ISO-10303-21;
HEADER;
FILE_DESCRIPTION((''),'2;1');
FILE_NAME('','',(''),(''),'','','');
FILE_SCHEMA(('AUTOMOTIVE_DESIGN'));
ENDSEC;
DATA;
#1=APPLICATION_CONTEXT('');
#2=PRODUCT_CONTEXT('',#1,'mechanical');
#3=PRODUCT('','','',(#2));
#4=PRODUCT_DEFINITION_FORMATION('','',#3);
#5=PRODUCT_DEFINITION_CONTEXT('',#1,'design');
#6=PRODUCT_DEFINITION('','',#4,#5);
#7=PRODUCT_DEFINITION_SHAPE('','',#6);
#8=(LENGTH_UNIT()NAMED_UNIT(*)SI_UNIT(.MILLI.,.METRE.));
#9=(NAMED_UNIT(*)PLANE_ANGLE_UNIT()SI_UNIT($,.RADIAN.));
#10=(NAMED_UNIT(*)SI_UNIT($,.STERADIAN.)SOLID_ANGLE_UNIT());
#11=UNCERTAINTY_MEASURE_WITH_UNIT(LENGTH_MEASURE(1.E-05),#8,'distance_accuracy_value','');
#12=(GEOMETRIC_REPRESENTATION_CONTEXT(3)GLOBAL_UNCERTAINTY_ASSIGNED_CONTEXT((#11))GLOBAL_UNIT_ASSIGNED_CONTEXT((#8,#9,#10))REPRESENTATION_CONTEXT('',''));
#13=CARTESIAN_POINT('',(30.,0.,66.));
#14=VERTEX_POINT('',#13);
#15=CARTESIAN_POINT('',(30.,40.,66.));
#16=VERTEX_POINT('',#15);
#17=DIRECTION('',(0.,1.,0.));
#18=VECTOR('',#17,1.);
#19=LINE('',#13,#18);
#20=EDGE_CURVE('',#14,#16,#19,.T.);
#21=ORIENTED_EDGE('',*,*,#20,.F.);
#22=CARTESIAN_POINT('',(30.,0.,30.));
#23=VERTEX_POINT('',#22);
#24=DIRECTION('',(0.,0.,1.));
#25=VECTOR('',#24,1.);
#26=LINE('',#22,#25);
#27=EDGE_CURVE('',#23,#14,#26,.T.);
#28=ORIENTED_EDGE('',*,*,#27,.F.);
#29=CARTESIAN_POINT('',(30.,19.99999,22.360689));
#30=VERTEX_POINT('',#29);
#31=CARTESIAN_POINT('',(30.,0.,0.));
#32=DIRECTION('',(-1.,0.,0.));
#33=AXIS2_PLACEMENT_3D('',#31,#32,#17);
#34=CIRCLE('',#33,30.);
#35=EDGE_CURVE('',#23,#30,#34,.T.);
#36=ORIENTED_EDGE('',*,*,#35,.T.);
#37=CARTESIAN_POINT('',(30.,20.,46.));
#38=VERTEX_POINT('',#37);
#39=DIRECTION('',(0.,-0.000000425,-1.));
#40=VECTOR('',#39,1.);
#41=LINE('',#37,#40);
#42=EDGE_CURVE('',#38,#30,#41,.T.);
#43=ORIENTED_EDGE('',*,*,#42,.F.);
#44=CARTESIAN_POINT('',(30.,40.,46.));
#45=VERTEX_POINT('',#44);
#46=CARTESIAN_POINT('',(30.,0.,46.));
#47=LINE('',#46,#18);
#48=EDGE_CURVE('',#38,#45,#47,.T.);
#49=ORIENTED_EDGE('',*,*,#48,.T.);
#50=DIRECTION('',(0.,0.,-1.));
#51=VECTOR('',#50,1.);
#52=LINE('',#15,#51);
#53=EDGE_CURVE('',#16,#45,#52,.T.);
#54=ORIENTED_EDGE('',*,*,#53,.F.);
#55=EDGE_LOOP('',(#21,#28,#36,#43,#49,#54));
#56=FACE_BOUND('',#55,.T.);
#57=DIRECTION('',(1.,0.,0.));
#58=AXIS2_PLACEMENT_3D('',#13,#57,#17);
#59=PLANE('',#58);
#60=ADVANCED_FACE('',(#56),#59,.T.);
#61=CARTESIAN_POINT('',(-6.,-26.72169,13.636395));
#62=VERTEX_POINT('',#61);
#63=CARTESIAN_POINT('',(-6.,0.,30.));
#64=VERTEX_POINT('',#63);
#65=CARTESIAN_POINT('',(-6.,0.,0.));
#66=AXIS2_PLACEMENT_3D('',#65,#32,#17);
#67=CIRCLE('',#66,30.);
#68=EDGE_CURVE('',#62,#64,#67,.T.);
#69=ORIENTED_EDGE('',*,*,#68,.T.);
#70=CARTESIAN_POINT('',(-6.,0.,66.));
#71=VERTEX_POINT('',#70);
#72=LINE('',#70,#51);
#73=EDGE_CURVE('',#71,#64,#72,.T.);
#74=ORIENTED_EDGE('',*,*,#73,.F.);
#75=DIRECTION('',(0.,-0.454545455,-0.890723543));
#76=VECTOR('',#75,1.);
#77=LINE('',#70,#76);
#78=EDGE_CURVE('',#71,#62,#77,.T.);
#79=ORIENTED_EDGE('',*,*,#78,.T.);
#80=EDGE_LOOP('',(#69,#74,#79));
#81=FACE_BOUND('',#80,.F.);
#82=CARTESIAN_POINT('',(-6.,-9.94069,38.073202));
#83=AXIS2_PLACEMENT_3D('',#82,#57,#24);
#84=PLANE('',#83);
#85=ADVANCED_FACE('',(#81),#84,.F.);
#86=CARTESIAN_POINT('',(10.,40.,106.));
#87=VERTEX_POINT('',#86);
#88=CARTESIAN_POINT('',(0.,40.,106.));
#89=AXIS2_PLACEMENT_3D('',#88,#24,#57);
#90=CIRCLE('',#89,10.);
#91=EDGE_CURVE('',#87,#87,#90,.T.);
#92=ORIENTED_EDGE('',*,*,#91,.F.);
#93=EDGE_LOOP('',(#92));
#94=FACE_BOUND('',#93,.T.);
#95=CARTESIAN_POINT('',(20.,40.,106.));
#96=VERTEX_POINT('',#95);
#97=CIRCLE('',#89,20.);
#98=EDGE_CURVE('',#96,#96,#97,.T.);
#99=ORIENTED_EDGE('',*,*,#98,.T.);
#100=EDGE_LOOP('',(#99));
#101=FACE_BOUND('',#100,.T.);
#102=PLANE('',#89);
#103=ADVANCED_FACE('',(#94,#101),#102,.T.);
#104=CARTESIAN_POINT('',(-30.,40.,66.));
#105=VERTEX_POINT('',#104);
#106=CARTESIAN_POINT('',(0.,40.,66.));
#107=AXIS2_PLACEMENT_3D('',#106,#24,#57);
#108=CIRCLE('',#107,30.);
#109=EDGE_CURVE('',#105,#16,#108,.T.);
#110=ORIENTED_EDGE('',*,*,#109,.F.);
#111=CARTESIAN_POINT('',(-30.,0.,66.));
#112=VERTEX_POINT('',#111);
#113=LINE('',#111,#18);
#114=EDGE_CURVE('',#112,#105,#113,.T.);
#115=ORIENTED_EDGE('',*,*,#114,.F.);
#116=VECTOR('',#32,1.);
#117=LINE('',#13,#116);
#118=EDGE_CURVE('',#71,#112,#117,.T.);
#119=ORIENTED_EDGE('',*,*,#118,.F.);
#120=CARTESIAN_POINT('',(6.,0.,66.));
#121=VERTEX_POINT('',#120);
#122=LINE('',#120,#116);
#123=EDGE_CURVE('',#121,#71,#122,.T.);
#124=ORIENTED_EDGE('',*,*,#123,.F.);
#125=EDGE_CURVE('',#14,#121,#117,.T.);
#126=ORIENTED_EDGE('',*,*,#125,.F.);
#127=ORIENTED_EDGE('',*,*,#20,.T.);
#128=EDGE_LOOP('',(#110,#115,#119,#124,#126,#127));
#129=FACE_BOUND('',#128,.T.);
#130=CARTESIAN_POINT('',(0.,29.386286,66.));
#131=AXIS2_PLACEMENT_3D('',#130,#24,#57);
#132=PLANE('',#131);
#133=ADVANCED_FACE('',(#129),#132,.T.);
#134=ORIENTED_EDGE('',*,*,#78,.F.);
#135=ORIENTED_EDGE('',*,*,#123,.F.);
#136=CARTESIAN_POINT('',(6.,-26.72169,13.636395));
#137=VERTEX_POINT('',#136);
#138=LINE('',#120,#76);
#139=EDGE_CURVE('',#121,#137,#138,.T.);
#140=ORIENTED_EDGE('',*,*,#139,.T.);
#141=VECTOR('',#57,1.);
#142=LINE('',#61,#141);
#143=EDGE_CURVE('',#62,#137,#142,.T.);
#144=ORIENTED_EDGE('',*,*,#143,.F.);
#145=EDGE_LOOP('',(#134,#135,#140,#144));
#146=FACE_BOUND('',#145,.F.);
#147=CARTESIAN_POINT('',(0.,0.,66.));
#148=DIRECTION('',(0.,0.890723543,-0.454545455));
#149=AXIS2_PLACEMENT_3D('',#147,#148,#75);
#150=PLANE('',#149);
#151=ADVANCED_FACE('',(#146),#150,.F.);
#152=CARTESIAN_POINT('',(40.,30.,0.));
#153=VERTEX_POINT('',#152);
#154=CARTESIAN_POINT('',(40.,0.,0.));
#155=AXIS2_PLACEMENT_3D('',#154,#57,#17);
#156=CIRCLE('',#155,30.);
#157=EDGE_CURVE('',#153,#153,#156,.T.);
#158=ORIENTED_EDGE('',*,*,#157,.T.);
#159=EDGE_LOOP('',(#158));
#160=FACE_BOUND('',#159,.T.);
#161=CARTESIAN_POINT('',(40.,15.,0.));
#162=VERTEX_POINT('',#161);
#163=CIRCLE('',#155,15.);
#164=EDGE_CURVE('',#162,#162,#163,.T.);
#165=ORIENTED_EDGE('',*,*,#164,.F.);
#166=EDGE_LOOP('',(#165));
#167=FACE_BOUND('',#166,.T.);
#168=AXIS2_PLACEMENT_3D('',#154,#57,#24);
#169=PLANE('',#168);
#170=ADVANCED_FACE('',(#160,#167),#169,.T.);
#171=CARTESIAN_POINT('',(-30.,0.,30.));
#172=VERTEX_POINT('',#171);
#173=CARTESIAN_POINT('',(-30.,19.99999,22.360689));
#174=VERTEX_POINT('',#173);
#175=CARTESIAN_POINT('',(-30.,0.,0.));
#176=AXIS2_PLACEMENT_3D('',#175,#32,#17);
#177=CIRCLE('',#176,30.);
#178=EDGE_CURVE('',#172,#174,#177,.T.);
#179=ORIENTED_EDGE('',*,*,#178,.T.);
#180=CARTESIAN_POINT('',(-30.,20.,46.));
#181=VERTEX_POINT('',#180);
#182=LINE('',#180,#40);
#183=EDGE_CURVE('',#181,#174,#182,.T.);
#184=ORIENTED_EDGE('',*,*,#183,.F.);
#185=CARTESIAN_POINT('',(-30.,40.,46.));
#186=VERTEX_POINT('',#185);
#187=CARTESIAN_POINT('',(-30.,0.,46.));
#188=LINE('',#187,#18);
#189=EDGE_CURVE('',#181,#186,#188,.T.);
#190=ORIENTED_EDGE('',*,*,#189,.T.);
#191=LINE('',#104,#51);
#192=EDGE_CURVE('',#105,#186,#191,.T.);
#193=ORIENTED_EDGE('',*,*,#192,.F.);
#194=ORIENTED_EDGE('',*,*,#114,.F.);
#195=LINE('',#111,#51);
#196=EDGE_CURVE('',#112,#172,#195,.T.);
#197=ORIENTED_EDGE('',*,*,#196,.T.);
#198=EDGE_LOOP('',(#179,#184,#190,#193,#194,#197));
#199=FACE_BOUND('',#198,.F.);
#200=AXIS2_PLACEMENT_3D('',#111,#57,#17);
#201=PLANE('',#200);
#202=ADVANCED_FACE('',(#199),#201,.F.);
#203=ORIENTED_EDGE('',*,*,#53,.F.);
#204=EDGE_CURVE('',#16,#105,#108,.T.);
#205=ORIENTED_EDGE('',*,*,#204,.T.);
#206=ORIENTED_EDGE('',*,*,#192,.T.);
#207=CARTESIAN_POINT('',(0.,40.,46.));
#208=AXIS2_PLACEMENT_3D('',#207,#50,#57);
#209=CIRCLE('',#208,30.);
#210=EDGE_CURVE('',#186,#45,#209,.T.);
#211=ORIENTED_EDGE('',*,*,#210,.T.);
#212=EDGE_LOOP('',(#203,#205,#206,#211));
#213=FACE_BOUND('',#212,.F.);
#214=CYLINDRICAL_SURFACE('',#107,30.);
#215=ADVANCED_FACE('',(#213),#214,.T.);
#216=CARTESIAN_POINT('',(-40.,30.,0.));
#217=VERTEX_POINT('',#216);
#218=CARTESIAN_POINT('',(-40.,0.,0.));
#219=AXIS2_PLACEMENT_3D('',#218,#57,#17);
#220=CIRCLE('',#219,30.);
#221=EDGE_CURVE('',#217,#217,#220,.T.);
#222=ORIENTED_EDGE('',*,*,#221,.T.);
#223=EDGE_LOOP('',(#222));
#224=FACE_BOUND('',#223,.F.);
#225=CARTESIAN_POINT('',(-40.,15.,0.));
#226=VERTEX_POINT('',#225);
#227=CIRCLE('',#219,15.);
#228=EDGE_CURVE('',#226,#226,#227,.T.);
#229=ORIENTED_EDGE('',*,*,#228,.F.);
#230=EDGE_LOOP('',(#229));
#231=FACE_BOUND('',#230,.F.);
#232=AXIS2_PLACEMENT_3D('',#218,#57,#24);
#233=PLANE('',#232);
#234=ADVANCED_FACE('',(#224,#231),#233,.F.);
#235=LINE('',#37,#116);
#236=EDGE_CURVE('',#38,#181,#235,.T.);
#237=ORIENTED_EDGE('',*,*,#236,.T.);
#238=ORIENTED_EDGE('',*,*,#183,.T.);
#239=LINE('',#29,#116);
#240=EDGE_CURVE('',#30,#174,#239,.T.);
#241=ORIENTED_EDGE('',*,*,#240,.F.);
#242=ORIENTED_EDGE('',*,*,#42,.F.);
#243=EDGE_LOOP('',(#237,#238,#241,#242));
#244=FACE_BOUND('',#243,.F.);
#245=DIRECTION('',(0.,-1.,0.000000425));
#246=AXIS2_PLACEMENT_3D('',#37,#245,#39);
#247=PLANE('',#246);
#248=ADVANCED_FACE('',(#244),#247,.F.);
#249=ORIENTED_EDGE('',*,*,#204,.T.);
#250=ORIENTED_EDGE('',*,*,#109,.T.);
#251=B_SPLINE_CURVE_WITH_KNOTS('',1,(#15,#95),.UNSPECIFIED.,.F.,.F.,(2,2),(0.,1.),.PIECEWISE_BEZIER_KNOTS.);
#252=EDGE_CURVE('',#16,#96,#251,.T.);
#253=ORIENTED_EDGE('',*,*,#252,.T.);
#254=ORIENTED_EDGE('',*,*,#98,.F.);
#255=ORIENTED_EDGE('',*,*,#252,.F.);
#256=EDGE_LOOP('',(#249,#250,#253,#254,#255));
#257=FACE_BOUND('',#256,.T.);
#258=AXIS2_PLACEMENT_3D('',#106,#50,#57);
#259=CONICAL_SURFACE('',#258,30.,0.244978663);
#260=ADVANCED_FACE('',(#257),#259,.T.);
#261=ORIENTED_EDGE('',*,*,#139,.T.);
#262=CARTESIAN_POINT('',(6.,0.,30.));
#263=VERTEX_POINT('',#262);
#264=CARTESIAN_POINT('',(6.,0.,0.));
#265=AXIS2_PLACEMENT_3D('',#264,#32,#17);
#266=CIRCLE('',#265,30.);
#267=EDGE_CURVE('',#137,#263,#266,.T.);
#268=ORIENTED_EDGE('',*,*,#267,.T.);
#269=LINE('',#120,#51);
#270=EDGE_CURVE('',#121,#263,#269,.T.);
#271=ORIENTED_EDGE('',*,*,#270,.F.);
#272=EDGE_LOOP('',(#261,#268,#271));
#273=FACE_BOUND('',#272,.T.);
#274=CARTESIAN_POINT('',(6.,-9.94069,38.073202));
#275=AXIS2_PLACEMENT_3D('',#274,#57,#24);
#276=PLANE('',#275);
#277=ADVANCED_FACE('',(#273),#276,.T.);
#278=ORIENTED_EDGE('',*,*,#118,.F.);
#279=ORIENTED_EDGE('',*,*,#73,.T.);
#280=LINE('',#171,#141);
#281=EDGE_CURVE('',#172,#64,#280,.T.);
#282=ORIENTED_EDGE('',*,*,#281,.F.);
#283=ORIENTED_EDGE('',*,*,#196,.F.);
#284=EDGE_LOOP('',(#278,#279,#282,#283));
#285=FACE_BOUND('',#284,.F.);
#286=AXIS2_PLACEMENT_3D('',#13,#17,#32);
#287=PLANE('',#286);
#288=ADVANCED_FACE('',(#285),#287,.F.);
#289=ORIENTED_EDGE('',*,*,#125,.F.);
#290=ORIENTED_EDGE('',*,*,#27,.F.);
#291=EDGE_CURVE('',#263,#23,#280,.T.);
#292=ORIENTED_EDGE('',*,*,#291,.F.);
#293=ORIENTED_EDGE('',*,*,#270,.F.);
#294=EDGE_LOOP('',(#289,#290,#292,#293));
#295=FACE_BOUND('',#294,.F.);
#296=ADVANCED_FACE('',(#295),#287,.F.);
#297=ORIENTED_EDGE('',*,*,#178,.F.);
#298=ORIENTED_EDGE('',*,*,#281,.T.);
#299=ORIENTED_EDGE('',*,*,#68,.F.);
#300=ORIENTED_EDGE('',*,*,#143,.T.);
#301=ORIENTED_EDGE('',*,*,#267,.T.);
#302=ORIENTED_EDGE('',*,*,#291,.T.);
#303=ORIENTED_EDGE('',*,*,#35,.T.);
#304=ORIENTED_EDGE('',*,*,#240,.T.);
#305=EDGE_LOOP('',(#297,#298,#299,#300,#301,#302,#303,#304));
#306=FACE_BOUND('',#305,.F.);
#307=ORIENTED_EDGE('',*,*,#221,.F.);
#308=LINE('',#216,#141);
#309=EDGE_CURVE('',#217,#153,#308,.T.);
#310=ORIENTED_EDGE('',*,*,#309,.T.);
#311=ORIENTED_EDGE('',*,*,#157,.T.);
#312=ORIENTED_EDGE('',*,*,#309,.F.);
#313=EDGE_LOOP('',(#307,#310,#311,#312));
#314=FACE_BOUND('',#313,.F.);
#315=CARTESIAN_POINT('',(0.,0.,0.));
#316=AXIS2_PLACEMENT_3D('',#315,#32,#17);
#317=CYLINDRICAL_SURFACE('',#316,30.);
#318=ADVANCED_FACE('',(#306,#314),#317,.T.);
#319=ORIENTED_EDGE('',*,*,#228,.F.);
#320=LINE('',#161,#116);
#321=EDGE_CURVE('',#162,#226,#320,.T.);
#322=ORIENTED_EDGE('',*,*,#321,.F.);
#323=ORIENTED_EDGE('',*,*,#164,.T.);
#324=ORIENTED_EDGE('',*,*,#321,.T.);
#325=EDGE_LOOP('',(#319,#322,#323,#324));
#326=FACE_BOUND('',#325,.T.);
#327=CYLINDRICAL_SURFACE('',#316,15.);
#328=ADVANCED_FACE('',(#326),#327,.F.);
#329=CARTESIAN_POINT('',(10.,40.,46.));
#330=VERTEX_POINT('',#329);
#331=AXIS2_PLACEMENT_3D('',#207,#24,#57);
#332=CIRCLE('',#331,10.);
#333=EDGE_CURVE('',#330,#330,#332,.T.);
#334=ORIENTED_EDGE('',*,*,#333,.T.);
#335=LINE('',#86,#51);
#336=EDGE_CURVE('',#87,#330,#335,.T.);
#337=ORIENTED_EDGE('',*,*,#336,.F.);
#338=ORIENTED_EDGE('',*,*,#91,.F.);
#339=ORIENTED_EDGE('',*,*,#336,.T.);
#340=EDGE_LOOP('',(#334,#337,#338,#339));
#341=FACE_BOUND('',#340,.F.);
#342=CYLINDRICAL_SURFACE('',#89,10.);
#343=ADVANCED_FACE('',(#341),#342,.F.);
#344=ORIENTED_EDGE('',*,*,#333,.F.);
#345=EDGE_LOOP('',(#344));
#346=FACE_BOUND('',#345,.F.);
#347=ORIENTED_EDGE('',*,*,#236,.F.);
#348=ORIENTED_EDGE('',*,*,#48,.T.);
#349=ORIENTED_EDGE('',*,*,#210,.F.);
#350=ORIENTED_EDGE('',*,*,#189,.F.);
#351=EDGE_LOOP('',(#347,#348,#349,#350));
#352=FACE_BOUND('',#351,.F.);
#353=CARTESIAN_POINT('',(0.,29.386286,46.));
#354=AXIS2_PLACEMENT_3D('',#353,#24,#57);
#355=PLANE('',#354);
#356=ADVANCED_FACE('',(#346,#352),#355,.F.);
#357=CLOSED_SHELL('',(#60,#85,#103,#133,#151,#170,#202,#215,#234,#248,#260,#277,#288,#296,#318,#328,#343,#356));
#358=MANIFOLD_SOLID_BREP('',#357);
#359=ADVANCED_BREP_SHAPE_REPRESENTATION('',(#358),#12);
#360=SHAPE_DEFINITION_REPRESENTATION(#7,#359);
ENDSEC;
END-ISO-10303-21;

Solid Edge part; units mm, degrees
sketch "Sketch1" plane through (0, 0, 0) normal (1, 0, 0) x (0, 1, 0)
  circle A0 centre (0, 0) radius 30
  circle A1 centre (0, 0) radius 15
extrude "Protrusion1" add sketch "Sketch1" along normal mid plane 80
sketch "Sketch2" plane through (0, 0, 66) normal (0, 0, 1) x (1, 0, 0)
  circle A0 centre (0, 40) radius 30
sketch "Sketch3" plane through (0, 0, 106) normal (0, 0, 1) x (1, 0, 0)
  circle A0 centre (0, 40) radius 20
loft "LoftedProtrusion1" add profiles "Sketch2", "Sketch3"
sketch "Sketch4" plane through (0, 0, 66) normal (0, 0, 1) x (1, 0, 0)
  line L0 (30, 0) -> (30, 40)
  arc A0 (-30, 40) -> (30, 40) centre (0, 40) cw
  line L1 (-30, 0) -> (-30, 40)
  line L2 (30, 0) -> (-30, 0)
extrude "ExtrudedProtrusion_2" add sketch "Sketch4" against normal blind 20
sketch "Sketch5" plane through (0, 0, 106) normal (0, 0, 1) x (1, 0, 0)
  circle A0 centre (0, 40) radius 10
extrude "Cutout1" cut sketch "Sketch5" against normal up to vertex (60 mm away)
sketch "Sketch6" plane through (30, 20, 56) normal (1, 0, 0) x (0, 1, 0)
  line L0 (-20, -10) -> (-20, -26)
  arc A0 (-20, -26) -> (0, -33.6393) centre (-20, -56) cw
  line L1 (0, -10) -> (0, -33.6393)
  line L2 (-20, -10) -> (0, -10)
extrude "ExtrudedProtrusion_3" add sketch "Sketch6" against normal blind 60
sketch "Sketch7" plane through (0, 0, 0) normal (1, 0, 0) x (0, 1, 0)
  line L0 (0, 66) -> (-26.7217, 13.6364)
  arc A0 (-26.7217, 13.6364) -> (0, 30) centre (0, 0) cw
  line L1 (0, 66) -> (0, 30)
extrude "ExtrudedProtrusion_4" add sketch "Sketch7" along normal mid plane 12
